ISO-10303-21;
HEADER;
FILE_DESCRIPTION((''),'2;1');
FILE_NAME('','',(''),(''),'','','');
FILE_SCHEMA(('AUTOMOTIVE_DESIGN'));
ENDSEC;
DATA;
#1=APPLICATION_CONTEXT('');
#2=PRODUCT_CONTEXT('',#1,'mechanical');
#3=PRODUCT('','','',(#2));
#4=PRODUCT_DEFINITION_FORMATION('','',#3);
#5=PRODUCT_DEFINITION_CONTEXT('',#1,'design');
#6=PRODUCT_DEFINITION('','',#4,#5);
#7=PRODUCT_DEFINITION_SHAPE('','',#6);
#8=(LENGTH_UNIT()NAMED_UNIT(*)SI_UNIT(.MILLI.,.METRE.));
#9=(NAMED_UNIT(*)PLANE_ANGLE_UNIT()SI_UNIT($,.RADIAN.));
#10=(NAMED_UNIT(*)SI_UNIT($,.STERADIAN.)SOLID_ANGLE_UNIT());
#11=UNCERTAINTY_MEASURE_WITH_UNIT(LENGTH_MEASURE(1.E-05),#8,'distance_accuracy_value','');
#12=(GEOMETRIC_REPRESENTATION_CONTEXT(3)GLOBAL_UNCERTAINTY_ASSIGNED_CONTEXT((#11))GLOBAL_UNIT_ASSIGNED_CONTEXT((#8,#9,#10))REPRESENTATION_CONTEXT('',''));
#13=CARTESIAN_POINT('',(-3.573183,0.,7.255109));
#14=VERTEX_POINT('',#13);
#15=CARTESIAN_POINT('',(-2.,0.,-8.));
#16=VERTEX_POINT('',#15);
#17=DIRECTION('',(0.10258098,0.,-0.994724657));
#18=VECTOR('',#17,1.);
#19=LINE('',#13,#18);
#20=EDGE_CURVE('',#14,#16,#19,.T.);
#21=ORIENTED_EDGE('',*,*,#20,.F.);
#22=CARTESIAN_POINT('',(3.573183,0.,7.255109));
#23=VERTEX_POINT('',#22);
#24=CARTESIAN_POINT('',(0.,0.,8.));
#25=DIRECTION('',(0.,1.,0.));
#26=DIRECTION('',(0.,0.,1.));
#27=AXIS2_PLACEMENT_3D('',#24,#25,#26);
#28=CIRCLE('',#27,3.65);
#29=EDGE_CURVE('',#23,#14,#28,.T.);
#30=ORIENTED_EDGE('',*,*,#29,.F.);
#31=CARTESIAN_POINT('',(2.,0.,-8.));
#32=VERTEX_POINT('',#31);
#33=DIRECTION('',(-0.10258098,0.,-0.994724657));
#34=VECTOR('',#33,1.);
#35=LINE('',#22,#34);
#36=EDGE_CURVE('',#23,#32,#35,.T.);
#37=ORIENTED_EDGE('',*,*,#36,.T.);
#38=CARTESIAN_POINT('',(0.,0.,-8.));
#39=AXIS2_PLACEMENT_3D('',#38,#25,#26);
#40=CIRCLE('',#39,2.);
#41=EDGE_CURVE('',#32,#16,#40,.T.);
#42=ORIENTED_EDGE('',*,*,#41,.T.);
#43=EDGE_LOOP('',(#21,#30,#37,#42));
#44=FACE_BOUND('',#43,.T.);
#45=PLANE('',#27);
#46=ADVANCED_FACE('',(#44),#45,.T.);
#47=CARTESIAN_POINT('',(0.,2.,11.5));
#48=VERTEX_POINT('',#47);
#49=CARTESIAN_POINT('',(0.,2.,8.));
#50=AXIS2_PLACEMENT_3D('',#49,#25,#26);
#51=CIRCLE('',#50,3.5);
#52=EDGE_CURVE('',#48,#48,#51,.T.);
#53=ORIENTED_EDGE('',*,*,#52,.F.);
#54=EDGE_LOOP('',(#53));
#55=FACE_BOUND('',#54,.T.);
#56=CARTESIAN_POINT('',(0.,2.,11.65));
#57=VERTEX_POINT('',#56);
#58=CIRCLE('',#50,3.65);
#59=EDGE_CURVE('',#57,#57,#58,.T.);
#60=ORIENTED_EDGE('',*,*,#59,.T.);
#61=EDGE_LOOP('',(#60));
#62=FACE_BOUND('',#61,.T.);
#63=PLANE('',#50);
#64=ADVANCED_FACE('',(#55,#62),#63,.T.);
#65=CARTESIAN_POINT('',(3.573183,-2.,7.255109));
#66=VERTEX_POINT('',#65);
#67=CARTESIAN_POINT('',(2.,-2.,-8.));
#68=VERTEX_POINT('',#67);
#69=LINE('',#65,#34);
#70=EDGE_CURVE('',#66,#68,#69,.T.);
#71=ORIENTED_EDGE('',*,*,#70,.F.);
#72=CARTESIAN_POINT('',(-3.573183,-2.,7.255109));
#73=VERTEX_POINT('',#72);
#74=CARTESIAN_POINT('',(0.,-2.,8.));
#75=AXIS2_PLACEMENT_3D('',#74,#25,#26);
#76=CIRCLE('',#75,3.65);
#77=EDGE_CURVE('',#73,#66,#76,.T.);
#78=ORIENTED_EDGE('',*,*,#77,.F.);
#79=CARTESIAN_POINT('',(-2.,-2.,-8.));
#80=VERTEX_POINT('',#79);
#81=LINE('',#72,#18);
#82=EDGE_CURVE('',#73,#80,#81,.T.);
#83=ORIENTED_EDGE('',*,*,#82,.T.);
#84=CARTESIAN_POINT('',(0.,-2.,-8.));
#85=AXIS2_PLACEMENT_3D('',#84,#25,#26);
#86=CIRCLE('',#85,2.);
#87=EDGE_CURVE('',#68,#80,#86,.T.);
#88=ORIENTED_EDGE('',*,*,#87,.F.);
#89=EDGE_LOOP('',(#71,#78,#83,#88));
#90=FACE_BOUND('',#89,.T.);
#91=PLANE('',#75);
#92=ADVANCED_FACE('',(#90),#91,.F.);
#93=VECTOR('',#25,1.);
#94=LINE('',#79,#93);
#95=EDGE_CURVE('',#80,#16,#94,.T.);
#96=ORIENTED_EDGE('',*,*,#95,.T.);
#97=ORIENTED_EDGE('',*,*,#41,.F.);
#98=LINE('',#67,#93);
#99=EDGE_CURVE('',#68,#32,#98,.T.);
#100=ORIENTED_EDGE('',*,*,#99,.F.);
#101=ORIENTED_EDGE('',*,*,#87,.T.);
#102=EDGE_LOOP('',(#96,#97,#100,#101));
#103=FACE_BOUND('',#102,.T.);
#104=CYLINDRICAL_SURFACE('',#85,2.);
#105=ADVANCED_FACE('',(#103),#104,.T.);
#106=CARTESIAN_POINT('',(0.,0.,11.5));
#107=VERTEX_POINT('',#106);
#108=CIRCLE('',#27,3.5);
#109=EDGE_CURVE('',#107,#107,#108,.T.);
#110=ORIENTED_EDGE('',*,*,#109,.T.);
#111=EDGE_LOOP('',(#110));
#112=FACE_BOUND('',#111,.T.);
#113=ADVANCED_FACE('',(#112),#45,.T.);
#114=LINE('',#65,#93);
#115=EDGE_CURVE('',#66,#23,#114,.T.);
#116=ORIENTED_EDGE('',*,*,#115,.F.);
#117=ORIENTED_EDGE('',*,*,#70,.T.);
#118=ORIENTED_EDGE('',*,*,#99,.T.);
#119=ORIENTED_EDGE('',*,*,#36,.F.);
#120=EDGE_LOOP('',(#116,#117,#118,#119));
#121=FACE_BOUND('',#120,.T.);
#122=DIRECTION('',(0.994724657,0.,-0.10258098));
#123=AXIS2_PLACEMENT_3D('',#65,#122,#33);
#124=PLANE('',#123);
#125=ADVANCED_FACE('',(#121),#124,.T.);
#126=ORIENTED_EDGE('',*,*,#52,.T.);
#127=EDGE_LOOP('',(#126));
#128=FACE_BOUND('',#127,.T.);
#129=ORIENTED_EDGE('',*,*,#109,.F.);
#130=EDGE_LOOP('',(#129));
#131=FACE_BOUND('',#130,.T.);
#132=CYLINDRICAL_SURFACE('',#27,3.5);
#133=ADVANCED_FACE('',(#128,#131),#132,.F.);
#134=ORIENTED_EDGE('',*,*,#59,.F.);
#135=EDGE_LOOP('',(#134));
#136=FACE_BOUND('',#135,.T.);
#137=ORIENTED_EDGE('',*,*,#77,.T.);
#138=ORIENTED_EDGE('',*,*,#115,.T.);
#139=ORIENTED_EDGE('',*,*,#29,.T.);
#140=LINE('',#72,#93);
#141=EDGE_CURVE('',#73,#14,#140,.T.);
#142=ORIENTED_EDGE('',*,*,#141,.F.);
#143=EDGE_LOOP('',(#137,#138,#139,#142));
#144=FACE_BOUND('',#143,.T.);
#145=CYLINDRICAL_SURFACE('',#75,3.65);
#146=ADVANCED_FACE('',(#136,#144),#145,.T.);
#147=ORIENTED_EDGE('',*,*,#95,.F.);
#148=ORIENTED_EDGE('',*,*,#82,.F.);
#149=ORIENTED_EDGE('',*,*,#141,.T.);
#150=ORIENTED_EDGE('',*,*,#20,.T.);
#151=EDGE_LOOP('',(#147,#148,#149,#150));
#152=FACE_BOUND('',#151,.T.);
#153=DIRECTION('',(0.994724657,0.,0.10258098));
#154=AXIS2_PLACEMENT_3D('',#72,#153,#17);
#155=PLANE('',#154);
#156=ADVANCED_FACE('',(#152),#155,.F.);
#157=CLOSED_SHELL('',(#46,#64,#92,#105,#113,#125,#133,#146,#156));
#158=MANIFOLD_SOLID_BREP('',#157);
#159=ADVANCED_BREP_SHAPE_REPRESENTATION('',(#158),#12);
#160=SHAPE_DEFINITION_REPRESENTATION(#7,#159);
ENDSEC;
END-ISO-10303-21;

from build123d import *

# Parameters (mm, degrees)
BOSS_EXTRUDE1_DEPTH = 2
BOSS_EXTRUDE2_START = 2
SKETCH2_R           = 3.65
BOSS_EXTRUDE2_DEPTH = 2
SKETCH3_R           = 3.5
CUT_EXTRUDE1_DEPTH  = 2


with BuildPart() as part:
    # Sketch1 → Boss-Extrude1 (new body)
    with BuildSketch(Plane(origin=(0, 0, 0), x_dir=(1, 0, 0), z_dir=(0, 1, 0))):
        with BuildLine():
            Line((-3.57318314, -7.255109239), (-2, 8))
            ThreePointArc((-2, 8), (0, 10), (2, 8))
            Line((2, 8), (3.57318314, -7.255109239))
            ThreePointArc((3.57318314, -7.255109239), (0, -11.65), (-3.57318314, -7.255109239))
        make_face()
    extrude(amount=-BOSS_EXTRUDE1_DEPTH)

    # Sketch2 → Boss-Extrude2 (add)
    with BuildSketch(Plane(origin=(0, 0, 0), x_dir=(1, 0, 0), z_dir=(0, 1, 0)).offset(BOSS_EXTRUDE2_START)):
        with Locations(Location((0, -8, 0), (0, 0, 270))):
            Circle(SKETCH2_R)
    extrude(amount=-BOSS_EXTRUDE2_DEPTH)

    # Sketch3 → Cut-Extrude1 (cut)
    with BuildSketch(Plane(origin=(0, 2, 0), x_dir=(1, 0, 0), z_dir=(0, 1, 0))):
        with Locations(Location((0, -8, 0), (0, 0, 270))):
            Circle(SKETCH3_R)
    extrude(amount=-CUT_EXTRUDE1_DEPTH, mode=Mode.SUBTRACT)


solid = part.part
